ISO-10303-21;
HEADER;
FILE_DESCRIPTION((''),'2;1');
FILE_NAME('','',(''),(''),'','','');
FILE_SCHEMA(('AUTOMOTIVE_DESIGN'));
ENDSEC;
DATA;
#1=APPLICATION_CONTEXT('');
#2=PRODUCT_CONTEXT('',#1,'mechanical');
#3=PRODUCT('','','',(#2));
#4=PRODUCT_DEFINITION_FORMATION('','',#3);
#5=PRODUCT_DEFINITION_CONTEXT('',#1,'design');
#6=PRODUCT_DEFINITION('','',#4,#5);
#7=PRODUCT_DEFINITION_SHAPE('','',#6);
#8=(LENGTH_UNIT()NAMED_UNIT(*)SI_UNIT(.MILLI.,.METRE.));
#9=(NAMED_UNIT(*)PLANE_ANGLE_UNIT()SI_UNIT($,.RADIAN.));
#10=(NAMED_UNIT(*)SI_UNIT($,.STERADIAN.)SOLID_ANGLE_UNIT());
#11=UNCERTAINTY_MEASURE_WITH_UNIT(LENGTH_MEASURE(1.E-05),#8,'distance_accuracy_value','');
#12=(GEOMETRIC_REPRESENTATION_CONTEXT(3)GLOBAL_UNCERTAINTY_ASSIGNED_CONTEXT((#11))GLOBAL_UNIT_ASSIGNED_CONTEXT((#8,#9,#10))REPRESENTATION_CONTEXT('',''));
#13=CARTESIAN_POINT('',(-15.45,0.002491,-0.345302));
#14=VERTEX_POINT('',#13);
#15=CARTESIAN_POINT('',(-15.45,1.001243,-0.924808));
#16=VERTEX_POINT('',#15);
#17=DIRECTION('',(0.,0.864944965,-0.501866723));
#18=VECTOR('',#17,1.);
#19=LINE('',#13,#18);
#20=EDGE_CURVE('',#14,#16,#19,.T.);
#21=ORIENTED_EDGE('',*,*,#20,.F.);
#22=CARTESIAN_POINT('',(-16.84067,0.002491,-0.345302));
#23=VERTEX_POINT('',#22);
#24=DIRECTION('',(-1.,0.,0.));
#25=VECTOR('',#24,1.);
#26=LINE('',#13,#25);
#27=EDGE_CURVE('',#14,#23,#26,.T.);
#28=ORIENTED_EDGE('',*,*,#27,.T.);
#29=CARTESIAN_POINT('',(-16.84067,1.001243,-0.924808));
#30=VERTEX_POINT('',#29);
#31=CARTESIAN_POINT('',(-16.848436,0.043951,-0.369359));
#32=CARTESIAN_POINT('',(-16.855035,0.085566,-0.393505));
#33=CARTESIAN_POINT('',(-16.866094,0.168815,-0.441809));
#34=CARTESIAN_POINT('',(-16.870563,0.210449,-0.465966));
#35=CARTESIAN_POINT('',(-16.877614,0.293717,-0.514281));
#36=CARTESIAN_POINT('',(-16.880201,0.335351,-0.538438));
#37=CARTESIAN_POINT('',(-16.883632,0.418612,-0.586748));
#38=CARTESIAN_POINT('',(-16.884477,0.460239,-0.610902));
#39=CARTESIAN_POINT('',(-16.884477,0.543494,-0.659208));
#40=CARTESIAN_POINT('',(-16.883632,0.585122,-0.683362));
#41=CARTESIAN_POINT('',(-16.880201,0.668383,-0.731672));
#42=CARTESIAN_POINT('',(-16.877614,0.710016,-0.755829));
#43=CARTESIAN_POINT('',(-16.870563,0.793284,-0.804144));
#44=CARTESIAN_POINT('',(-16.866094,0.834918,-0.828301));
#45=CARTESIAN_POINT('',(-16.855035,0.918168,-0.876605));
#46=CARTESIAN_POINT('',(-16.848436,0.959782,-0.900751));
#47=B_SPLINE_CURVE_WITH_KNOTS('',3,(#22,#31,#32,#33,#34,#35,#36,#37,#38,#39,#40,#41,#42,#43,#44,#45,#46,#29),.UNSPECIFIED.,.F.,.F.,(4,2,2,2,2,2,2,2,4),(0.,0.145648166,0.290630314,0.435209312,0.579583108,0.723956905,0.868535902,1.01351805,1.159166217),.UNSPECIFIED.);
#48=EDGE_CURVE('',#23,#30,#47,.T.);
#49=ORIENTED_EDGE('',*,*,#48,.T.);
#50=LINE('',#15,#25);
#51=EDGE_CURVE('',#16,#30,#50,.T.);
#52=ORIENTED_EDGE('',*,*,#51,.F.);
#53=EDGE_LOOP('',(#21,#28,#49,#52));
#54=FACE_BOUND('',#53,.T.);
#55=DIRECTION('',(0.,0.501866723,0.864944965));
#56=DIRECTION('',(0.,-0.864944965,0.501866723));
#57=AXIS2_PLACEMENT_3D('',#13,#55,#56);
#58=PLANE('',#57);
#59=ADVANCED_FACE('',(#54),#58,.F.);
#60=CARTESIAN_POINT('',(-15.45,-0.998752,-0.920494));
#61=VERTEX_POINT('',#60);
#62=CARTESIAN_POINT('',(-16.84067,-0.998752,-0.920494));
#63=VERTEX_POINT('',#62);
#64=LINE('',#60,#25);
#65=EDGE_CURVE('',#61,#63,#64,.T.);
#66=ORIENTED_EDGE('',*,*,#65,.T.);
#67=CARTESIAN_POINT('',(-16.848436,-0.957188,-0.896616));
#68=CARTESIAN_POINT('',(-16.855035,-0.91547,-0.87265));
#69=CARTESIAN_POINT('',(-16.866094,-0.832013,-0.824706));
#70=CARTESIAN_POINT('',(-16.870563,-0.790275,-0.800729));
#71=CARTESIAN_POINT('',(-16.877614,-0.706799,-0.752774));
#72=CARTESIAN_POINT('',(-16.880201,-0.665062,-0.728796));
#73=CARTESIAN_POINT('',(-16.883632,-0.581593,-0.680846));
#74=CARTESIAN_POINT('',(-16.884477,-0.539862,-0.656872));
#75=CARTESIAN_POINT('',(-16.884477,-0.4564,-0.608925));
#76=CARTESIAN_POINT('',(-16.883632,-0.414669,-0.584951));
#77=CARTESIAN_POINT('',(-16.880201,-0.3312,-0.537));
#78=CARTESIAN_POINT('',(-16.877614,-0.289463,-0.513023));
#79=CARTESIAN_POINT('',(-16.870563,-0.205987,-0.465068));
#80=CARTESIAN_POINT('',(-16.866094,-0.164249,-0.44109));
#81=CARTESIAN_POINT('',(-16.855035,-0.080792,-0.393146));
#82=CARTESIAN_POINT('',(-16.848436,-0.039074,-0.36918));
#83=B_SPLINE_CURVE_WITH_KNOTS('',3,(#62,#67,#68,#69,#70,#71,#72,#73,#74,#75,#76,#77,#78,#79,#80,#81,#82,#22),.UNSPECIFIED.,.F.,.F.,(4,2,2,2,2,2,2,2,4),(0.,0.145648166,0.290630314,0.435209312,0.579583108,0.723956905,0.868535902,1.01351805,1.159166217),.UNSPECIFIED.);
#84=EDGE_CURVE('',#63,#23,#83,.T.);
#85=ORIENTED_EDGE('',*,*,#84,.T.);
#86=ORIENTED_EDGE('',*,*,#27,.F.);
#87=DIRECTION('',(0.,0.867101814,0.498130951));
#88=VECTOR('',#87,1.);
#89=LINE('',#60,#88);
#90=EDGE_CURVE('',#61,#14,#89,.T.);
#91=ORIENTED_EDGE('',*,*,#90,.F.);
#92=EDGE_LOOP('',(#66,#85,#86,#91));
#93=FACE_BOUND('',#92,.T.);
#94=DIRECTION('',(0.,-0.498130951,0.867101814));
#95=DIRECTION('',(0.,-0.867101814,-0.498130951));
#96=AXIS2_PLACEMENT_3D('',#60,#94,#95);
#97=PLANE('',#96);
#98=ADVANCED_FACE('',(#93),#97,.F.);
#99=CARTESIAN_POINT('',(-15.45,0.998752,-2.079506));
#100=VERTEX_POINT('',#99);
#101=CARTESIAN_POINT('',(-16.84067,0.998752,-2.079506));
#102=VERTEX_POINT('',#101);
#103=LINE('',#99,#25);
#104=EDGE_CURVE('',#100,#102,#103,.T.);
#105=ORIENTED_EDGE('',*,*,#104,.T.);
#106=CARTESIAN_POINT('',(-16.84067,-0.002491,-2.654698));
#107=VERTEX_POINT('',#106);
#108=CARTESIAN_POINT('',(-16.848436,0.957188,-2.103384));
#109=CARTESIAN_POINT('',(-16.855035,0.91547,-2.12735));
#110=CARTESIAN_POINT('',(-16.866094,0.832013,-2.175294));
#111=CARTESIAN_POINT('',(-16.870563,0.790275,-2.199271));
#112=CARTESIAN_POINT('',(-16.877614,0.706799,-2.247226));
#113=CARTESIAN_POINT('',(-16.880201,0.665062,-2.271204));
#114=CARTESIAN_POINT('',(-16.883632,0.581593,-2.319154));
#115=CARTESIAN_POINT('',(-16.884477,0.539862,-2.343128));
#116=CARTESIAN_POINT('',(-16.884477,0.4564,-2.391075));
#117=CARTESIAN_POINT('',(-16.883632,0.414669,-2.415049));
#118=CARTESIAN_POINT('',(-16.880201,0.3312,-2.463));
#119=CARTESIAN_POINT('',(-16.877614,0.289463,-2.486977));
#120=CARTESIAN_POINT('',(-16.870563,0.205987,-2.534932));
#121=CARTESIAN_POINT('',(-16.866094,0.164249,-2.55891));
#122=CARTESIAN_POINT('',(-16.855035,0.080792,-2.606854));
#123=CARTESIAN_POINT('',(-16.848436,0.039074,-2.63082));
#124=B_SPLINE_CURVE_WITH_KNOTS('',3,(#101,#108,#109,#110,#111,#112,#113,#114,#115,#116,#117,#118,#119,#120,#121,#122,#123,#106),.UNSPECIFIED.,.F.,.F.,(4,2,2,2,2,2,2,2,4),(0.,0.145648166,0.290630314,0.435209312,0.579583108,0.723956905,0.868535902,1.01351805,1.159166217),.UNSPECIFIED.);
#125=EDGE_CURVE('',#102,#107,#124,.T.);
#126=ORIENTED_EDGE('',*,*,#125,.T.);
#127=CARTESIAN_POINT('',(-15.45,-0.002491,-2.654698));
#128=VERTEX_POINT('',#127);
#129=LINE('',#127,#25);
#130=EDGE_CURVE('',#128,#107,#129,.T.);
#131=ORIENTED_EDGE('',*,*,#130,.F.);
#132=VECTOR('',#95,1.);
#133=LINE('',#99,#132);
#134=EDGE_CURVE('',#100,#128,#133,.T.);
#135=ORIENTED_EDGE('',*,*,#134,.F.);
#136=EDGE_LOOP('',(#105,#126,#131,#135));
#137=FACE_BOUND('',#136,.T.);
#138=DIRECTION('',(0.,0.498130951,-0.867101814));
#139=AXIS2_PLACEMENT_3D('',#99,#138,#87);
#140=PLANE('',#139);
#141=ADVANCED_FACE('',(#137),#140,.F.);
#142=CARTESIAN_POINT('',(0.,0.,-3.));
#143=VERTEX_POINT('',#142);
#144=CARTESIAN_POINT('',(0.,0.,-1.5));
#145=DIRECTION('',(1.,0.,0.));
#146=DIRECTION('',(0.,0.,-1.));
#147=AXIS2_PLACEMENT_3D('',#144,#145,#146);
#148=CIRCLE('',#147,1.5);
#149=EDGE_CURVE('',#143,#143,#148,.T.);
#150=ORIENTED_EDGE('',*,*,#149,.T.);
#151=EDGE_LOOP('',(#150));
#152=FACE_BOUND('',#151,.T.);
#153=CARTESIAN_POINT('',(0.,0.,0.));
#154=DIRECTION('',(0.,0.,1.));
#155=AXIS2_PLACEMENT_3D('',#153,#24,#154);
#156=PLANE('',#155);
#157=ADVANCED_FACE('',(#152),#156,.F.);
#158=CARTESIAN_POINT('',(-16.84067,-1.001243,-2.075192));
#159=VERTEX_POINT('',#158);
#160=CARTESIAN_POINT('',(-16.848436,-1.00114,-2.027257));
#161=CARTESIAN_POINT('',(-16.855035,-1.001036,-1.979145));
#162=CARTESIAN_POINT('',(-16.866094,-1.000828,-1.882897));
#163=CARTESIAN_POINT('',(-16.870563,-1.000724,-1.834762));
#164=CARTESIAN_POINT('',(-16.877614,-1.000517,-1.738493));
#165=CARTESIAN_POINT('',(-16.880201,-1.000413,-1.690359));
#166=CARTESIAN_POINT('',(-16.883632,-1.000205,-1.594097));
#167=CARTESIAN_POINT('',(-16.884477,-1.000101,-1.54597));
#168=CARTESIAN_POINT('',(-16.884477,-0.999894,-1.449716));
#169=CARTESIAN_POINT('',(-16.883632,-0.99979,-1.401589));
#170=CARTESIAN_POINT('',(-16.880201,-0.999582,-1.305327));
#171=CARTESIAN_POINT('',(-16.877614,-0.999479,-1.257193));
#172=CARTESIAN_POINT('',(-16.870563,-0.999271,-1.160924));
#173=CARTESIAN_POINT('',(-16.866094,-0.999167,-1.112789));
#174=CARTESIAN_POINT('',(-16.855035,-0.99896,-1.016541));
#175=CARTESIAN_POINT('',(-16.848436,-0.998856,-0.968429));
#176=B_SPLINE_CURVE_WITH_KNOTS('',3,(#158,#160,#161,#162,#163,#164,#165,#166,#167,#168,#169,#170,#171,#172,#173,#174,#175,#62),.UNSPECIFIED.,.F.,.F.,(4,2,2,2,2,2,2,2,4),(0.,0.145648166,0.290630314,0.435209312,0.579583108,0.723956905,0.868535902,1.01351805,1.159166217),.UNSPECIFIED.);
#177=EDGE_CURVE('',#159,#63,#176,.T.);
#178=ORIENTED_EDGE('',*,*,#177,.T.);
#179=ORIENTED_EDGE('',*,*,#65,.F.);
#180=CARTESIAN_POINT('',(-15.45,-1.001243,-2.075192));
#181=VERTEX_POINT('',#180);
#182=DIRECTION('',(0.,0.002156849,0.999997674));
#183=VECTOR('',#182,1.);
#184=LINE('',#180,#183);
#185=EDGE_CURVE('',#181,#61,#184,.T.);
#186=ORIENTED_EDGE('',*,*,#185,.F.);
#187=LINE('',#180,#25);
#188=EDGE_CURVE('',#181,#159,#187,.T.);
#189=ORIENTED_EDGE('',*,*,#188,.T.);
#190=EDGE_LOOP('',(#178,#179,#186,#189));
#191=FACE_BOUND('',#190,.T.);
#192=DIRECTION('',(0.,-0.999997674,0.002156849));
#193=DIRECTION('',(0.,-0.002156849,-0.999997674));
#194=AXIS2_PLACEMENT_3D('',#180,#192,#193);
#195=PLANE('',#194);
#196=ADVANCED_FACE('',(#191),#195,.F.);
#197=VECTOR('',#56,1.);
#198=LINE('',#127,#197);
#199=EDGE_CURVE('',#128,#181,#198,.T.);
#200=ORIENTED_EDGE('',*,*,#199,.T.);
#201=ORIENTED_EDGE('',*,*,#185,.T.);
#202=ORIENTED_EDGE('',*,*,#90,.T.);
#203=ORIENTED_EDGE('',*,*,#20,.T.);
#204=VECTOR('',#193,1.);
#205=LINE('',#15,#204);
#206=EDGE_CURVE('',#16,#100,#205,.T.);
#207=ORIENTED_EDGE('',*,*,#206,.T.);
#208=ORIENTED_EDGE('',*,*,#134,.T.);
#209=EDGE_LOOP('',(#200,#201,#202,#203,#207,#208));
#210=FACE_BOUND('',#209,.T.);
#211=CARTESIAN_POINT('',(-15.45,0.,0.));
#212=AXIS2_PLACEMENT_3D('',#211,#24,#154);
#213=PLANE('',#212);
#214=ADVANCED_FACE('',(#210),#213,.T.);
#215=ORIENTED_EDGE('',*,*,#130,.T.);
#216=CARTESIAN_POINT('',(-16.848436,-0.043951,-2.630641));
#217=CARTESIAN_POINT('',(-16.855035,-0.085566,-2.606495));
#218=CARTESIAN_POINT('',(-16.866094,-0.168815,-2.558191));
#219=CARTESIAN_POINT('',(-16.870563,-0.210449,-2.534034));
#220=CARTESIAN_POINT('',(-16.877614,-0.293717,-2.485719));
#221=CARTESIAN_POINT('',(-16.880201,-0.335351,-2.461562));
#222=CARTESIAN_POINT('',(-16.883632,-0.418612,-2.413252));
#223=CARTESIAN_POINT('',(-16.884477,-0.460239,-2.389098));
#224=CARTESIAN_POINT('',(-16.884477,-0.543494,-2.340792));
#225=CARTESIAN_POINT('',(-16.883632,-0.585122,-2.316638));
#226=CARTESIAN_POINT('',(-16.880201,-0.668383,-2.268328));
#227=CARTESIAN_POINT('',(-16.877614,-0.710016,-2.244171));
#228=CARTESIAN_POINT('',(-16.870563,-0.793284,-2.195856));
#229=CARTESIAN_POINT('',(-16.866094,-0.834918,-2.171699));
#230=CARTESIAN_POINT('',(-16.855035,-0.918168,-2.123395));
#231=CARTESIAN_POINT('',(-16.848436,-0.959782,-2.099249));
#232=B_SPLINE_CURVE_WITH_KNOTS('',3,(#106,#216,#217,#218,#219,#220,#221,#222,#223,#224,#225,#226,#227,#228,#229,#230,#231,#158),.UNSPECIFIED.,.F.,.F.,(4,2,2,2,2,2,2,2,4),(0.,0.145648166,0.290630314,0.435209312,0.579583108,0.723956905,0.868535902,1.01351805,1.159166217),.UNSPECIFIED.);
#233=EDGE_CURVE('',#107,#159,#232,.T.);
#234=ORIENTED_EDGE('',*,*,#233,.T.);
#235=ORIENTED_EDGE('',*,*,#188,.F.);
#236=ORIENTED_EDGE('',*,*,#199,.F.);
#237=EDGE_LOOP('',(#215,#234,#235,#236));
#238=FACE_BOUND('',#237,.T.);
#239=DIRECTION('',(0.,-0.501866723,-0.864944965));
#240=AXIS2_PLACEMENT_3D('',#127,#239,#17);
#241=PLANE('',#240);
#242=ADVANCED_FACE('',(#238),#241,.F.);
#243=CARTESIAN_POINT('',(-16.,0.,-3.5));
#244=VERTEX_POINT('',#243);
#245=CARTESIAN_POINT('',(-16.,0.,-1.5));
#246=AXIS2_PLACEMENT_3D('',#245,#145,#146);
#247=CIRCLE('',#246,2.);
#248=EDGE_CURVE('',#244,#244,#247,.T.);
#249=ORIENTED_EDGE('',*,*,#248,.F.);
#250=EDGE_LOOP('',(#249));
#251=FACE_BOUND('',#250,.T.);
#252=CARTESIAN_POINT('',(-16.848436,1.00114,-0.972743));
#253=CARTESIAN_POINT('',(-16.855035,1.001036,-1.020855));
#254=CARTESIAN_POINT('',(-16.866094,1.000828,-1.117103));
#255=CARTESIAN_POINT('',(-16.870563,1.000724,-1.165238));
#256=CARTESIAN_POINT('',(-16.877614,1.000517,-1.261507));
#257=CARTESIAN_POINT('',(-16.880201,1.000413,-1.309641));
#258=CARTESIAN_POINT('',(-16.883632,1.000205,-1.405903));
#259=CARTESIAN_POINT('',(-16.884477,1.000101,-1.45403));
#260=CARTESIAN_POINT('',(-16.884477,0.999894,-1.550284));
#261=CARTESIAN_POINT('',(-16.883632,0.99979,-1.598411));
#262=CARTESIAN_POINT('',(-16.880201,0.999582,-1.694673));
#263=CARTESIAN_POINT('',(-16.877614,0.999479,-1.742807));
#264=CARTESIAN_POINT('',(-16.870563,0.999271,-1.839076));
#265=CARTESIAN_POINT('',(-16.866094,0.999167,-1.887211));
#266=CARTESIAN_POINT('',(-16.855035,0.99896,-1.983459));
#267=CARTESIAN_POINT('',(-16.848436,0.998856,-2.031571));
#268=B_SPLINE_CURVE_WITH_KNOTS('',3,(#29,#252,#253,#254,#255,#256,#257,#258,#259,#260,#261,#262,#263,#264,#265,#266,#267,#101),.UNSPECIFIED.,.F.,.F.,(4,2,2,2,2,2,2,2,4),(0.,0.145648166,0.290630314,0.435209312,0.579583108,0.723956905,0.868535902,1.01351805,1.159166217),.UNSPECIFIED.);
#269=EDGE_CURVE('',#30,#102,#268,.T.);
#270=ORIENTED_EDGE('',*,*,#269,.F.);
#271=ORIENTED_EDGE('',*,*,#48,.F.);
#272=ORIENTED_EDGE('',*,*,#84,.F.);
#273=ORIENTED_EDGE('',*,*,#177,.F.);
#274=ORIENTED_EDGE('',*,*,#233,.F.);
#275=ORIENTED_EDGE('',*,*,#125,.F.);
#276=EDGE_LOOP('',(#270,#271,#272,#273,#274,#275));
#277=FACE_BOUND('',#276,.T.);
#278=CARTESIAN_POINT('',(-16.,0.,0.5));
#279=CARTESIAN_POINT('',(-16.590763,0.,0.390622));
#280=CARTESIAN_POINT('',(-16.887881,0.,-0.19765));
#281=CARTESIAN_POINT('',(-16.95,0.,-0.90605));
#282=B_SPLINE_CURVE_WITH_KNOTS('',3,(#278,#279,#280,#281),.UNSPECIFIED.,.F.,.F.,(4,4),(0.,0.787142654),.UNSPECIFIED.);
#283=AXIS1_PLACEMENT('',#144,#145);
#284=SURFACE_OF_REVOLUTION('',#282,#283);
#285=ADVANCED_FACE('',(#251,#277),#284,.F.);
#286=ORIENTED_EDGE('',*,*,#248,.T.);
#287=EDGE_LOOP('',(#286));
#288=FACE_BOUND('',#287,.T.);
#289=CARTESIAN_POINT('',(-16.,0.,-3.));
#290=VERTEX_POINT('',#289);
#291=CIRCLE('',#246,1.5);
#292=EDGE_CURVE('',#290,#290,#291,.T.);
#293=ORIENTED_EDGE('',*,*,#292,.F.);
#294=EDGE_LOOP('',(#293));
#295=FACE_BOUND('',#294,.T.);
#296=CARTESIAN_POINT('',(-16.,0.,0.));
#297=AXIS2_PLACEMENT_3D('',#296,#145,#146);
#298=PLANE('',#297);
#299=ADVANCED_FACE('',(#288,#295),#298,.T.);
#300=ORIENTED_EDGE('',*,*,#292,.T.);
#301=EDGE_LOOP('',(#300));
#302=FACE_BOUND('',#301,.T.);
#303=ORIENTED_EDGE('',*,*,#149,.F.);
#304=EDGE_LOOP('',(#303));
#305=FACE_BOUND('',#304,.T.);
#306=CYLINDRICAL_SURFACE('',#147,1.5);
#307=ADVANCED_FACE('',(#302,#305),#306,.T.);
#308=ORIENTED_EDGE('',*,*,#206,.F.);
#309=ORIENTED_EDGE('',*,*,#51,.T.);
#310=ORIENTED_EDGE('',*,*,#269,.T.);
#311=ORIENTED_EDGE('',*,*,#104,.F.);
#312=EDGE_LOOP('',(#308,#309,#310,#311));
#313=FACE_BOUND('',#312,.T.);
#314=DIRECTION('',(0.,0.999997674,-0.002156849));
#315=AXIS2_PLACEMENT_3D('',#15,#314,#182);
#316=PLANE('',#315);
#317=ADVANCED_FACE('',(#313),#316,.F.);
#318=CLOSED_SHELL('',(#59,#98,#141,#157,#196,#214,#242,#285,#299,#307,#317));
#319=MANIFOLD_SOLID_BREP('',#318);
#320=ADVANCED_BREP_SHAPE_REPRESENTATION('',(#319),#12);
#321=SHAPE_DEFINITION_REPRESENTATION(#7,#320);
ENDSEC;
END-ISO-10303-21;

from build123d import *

# Parameters (mm, degrees)
SKETCH3_R          = 0.593950471
CUT_EXTRUDE1_DEPTH = 1.5
SKETCH4_R          = 0.593950471
CUT_EXTRUDE2_DEPTH = 1.5


with BuildPart() as part:
    # Sketch1 → Revolve1 (revolve)
    with BuildSketch(Plane(origin=(0, 0, 0), x_dir=(1, 0, 0), z_dir=(0, 1, 0)), mode=Mode.PRIVATE) as revolve1_sk:
        with BuildLine():
            add(Edge.make_bspline(
                [(-16, -0.5), (-16.59076322, -0.390621653), (-16.887881425, 0.197649901), (-16.95, 0.906049529)],
                knots=[0, 0, 0, 0, 0.787142654, 0.787142654, 0.787142654, 0.787142654], degree=3))
            Line((-16.95, 0.906049529), (-16.95, 1.5))
            Line((-16.95, 1.5), (0, 1.5))
            Line((0, 1.5), (0, 0))
            Line((0, 0), (-16, 0))
            Line((-16, 0), (-16, -0.5))
        make_face()
    revolve(revolve1_sk.sketch.rotate(Axis((0, 0, -1.5), (-1, 0, 0)), 180), axis=Axis((0, 0, -1.5), (-1, 0, 0)))

    # Sketch3 → Cut-Extrude1 (cut)
    with BuildSketch(Plane.ZY.offset(16.95)):
        Polygon((-0.924807923, 1.001242932), (-2.079505776, 0.998752416), (-2.654697853, -0.002490515), (-2.075192077, -1.001242932), (-0.920494224, -0.998752416), (-0.345302147, 0.002490515), align=None)
        with Locations((-1.5, 0)):
            Circle(SKETCH3_R, mode=Mode.SUBTRACT)
    extrude(amount=-CUT_EXTRUDE1_DEPTH, mode=Mode.SUBTRACT)

    # Sketch4 → Cut-Extrude2 (cut)
    with BuildSketch(Plane.ZY.offset(16.95)):
        with Locations((-1.5, 0)):
            Circle(SKETCH4_R)
    extrude(amount=-CUT_EXTRUDE2_DEPTH, mode=Mode.SUBTRACT)


solid = part.part
